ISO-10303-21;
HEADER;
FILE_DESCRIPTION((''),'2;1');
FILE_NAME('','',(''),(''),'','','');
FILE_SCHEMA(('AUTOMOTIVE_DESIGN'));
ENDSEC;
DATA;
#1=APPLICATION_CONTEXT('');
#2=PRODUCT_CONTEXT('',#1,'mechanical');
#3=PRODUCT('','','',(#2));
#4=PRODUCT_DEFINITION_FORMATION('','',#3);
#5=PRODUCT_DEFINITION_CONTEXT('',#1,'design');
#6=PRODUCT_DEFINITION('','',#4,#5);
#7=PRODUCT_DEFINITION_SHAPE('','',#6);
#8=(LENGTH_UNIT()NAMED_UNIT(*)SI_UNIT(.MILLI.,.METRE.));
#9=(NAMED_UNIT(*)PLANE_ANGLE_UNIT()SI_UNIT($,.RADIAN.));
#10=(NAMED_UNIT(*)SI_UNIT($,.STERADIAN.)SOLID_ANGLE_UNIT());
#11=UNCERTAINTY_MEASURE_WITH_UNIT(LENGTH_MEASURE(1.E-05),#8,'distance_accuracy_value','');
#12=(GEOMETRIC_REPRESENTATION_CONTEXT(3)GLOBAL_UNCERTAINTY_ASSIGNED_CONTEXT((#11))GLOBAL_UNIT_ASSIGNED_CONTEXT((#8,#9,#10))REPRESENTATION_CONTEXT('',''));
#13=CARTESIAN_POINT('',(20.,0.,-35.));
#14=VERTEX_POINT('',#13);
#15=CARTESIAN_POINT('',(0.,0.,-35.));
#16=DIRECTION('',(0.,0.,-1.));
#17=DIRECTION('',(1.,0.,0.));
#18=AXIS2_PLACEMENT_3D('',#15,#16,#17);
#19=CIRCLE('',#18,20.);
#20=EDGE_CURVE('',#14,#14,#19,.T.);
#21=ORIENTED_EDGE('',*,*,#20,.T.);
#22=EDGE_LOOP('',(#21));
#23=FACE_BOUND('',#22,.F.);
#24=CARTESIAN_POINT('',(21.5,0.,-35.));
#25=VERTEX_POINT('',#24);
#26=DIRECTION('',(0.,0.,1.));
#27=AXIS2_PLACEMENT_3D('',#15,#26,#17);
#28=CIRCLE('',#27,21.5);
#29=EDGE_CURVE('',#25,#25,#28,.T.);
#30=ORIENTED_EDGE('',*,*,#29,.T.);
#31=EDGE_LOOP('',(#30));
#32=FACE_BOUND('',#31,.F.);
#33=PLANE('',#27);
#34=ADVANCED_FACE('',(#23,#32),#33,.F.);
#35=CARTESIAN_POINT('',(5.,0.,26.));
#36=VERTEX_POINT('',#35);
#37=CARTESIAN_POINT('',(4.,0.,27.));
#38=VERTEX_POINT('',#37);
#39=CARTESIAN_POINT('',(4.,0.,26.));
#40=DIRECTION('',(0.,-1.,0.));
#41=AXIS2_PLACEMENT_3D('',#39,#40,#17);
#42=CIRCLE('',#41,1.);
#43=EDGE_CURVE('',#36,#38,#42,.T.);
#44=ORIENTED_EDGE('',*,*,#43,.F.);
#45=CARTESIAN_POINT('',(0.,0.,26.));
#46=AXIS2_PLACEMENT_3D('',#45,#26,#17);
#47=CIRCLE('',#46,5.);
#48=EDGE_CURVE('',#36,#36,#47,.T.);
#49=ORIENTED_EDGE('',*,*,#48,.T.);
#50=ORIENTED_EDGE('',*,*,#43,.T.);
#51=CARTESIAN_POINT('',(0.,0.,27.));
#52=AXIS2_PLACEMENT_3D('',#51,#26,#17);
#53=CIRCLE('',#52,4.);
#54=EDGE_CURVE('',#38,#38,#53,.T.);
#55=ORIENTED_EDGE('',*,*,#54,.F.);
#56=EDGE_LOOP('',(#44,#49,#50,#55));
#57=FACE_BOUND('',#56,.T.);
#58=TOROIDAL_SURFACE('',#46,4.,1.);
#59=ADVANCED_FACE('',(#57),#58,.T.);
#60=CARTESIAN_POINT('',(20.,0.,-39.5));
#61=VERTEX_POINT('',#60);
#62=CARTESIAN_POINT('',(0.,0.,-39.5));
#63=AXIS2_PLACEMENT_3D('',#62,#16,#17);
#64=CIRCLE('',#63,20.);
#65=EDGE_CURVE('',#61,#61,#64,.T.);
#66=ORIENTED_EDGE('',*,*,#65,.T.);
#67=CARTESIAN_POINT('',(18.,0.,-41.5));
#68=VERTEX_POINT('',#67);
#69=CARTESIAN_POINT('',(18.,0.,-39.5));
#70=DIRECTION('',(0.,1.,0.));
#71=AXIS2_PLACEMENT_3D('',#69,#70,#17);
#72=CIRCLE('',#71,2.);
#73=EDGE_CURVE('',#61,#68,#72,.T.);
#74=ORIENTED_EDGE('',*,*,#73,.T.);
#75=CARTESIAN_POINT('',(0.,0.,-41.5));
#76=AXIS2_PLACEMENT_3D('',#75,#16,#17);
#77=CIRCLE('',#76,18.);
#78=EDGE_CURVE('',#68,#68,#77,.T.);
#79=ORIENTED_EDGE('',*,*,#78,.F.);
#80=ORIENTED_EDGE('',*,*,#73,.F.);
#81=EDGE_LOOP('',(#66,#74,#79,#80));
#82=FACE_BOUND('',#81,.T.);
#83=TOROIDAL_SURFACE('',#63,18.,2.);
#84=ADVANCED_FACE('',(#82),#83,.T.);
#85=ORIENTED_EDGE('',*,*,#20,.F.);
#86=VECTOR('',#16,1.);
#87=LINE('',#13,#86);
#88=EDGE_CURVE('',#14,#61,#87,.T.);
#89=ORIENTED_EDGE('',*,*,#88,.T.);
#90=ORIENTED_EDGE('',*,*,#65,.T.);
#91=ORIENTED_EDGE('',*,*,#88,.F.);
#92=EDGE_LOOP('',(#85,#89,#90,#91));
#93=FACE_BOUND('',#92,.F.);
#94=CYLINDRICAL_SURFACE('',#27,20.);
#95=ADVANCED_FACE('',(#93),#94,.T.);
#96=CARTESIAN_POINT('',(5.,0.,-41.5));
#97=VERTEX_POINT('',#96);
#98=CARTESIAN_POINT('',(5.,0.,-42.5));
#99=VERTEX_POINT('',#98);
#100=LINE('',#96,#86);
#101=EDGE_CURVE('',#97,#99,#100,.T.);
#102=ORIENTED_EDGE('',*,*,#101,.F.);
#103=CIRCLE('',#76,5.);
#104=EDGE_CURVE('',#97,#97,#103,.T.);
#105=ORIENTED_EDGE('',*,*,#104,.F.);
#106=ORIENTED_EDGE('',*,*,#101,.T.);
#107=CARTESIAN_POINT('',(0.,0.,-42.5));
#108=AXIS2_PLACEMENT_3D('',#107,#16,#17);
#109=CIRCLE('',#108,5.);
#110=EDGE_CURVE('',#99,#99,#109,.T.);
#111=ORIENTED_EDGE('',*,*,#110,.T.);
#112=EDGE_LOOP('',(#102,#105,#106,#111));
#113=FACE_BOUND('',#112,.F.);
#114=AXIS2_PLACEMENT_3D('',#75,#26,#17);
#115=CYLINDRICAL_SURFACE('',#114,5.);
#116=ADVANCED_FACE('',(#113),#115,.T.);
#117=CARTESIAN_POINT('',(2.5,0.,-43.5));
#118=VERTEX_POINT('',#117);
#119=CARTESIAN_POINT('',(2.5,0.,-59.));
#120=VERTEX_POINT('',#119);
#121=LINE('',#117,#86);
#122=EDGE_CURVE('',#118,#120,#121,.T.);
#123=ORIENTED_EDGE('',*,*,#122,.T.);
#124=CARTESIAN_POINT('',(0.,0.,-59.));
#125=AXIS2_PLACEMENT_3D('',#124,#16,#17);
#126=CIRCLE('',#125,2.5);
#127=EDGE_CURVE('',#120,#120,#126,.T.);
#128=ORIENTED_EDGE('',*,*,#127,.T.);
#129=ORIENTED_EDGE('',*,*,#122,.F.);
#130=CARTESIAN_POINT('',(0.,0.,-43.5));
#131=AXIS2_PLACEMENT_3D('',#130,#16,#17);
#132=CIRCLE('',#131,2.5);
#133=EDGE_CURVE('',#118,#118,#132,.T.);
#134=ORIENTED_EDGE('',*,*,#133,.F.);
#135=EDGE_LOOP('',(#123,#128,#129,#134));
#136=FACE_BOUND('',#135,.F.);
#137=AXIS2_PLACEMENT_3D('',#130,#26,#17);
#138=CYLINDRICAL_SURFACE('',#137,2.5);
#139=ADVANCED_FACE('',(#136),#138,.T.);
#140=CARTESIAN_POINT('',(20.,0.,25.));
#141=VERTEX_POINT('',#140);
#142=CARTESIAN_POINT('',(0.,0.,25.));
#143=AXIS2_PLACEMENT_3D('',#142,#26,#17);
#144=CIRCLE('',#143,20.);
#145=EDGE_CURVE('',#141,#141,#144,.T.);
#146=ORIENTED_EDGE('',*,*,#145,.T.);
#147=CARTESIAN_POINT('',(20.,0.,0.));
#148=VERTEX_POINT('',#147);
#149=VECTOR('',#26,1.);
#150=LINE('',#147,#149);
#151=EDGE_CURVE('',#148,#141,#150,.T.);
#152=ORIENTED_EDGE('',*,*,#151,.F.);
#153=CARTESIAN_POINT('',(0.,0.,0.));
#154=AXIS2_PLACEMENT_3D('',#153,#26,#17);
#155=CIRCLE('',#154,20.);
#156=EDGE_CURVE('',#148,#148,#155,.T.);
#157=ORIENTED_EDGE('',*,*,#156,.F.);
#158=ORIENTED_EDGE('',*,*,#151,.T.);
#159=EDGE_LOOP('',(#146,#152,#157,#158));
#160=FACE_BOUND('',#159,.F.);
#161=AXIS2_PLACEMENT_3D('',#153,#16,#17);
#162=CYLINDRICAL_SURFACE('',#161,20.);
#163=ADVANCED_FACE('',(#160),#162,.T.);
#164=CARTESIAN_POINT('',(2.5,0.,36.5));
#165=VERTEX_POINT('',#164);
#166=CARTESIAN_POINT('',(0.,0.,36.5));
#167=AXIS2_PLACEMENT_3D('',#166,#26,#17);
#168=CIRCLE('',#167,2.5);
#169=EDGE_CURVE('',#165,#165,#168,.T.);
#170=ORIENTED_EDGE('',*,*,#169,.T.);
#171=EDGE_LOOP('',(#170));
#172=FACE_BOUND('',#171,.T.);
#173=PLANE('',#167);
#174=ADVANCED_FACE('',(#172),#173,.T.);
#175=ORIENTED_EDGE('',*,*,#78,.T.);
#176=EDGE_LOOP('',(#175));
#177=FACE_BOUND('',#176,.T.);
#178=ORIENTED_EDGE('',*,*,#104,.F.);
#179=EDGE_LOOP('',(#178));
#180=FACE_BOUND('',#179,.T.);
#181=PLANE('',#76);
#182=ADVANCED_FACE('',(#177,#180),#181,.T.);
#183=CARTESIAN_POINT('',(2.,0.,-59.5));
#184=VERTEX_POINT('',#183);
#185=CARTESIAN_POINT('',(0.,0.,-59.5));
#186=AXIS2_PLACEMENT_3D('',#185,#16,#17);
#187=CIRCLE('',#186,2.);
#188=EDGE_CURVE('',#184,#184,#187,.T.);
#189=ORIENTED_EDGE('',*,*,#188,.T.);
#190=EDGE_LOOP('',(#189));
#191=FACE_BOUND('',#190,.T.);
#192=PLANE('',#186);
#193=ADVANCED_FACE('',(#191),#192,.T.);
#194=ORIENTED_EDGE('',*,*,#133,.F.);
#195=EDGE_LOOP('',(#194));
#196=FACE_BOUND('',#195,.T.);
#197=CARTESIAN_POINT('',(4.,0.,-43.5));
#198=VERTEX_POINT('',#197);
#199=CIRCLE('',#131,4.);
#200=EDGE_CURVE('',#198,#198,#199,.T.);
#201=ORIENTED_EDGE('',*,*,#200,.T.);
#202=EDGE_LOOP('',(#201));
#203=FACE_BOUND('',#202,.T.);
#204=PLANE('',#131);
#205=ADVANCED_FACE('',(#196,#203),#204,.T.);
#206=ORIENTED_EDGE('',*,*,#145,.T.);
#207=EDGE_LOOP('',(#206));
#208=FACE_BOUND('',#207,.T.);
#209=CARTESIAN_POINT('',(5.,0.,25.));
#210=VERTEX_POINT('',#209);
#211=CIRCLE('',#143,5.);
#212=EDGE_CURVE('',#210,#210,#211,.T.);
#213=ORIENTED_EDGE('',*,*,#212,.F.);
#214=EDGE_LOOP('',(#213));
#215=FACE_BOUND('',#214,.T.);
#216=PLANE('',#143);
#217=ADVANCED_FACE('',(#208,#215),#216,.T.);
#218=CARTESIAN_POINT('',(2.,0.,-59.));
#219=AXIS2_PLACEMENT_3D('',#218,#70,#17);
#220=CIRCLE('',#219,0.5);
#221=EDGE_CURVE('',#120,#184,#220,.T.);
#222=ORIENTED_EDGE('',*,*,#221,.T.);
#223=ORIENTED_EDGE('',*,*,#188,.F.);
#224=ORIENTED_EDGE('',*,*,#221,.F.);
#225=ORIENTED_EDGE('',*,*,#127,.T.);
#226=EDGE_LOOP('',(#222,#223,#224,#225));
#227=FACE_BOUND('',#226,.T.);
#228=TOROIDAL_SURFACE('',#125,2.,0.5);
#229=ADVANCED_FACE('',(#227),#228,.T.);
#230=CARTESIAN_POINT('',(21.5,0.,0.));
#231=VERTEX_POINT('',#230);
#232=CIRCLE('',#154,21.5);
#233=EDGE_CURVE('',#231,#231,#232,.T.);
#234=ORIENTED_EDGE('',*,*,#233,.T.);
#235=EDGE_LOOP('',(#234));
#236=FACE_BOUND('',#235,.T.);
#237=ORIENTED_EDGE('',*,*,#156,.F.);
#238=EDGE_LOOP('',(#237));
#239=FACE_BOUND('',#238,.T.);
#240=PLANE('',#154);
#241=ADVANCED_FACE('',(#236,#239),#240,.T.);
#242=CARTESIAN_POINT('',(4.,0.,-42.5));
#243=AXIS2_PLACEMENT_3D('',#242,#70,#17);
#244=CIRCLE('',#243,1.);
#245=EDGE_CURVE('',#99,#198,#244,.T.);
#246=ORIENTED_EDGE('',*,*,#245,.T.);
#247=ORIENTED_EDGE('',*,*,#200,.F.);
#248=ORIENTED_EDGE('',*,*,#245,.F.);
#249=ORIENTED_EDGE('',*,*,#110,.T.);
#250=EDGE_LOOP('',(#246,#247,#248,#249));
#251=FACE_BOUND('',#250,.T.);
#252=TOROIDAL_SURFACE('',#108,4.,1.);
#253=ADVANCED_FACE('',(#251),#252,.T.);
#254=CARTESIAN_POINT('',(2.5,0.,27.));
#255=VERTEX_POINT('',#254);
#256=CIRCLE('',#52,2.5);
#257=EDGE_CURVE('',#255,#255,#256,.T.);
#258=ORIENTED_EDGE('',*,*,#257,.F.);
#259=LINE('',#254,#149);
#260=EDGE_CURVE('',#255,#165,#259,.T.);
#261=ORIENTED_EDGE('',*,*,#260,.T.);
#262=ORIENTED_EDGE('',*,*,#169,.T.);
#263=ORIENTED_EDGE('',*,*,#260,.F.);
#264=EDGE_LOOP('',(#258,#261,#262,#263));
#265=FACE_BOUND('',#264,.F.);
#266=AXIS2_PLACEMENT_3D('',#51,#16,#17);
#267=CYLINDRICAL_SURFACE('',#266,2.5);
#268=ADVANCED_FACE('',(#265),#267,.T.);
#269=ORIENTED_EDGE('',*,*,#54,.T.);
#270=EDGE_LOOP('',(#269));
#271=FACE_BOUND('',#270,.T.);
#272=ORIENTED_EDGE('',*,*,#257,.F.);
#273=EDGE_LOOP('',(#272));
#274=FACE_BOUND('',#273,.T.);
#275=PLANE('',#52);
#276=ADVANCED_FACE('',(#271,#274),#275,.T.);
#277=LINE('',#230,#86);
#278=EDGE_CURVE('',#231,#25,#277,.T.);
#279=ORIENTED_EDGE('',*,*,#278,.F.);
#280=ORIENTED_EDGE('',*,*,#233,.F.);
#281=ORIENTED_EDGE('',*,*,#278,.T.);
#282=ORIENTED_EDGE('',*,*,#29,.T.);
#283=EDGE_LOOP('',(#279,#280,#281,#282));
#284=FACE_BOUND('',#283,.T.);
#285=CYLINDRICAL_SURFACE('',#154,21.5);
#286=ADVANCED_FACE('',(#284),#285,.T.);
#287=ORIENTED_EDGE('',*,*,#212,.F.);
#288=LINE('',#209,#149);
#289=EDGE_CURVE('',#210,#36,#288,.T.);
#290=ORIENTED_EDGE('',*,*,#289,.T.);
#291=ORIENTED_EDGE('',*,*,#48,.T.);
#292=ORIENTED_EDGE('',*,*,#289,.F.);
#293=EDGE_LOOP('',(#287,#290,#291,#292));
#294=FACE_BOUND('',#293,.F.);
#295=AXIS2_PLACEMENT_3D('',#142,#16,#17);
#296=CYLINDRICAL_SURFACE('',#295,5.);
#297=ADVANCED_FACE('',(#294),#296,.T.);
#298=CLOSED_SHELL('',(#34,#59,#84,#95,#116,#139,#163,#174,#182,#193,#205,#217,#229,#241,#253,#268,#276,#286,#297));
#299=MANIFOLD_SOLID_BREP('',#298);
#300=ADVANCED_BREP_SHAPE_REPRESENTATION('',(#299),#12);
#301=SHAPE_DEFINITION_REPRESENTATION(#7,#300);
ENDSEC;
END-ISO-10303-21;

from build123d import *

# Parameters (mm, degrees)
F0_R      = 21.5
F1_DEPTH  = 35
F2_R      = 20
F3_DEPTH  = 25
F4_R      = 5
F5_DEPTH  = 2
F6_R      = 20
F7_DEPTH  = 6.5
F8_R      = 2
F9_R      = 5
F10_DEPTH = 2
F11_R     = 1
F12_R     = 2.5
F13_DEPTH = 16
F14_R     = 0.5
F15_R     = 1
F16_R     = 2.5
F17_DEPTH = 9.5


with BuildPart() as f1:
    # F0 (on Top) → F1 (new body)
    with BuildSketch(Plane.XY):
        Circle(F0_R)
    extrude(amount=-F1_DEPTH)

    # F2 (on face) → F3 (join)
    with BuildSketch(Plane.XY):
        Circle(F2_R)
    extrude(amount=F3_DEPTH)

    # F4 (on face) → F5 (join)
    with BuildSketch(Plane.XY.offset(25)):
        Circle(F4_R)
    extrude(amount=F5_DEPTH)

    # F6 (on face) → F7 (join)
    with BuildSketch(Plane(origin=(0, 0, -35), x_dir=(1, 0, 0), z_dir=(0, 0, -1))):
        Circle(F6_R)
    extrude(amount=F7_DEPTH)

    # F8
    f8_edges = [f1.edges().sort_by_distance(p)[0] for p in [
        (-20, 0, -41.5),
    ]]
    fillet(f8_edges, radius=F8_R)

    # F9 (on face) → F10 (join)
    with BuildSketch(Plane(origin=(0, 0, -41.5), x_dir=(1, 0, 0), z_dir=(0, 0, -1))):
        Circle(F9_R)
    extrude(amount=F10_DEPTH)

    # F11
    f11_edges = [f1.edges().sort_by_distance(p)[0] for p in [
        (-5, 0, -43.5),
    ]]
    fillet(f11_edges, radius=F11_R)

    # F12 (on face) → F13 (join)
    with BuildSketch(Plane(origin=(0, 0, -43.5), x_dir=(1, 0, 0), z_dir=(0, 0, -1))):
        Circle(F12_R)
    extrude(amount=F13_DEPTH)

    # F14
    f14_edges = [f1.edges().sort_by_distance(p)[0] for p in [
        (-2.5, 0, -59.5),
    ]]
    fillet(f14_edges, radius=F14_R)

    # F15
    f15_edges = [f1.edges().sort_by_distance(p)[0] for p in [
        (-5, 0, 27),
    ]]
    fillet(f15_edges, radius=F15_R)

    # F16 (on face) → F17 (join)
    with BuildSketch(Plane.XY.offset(27)):
        Circle(F16_R)
    extrude(amount=F17_DEPTH)


solid = f1.part
